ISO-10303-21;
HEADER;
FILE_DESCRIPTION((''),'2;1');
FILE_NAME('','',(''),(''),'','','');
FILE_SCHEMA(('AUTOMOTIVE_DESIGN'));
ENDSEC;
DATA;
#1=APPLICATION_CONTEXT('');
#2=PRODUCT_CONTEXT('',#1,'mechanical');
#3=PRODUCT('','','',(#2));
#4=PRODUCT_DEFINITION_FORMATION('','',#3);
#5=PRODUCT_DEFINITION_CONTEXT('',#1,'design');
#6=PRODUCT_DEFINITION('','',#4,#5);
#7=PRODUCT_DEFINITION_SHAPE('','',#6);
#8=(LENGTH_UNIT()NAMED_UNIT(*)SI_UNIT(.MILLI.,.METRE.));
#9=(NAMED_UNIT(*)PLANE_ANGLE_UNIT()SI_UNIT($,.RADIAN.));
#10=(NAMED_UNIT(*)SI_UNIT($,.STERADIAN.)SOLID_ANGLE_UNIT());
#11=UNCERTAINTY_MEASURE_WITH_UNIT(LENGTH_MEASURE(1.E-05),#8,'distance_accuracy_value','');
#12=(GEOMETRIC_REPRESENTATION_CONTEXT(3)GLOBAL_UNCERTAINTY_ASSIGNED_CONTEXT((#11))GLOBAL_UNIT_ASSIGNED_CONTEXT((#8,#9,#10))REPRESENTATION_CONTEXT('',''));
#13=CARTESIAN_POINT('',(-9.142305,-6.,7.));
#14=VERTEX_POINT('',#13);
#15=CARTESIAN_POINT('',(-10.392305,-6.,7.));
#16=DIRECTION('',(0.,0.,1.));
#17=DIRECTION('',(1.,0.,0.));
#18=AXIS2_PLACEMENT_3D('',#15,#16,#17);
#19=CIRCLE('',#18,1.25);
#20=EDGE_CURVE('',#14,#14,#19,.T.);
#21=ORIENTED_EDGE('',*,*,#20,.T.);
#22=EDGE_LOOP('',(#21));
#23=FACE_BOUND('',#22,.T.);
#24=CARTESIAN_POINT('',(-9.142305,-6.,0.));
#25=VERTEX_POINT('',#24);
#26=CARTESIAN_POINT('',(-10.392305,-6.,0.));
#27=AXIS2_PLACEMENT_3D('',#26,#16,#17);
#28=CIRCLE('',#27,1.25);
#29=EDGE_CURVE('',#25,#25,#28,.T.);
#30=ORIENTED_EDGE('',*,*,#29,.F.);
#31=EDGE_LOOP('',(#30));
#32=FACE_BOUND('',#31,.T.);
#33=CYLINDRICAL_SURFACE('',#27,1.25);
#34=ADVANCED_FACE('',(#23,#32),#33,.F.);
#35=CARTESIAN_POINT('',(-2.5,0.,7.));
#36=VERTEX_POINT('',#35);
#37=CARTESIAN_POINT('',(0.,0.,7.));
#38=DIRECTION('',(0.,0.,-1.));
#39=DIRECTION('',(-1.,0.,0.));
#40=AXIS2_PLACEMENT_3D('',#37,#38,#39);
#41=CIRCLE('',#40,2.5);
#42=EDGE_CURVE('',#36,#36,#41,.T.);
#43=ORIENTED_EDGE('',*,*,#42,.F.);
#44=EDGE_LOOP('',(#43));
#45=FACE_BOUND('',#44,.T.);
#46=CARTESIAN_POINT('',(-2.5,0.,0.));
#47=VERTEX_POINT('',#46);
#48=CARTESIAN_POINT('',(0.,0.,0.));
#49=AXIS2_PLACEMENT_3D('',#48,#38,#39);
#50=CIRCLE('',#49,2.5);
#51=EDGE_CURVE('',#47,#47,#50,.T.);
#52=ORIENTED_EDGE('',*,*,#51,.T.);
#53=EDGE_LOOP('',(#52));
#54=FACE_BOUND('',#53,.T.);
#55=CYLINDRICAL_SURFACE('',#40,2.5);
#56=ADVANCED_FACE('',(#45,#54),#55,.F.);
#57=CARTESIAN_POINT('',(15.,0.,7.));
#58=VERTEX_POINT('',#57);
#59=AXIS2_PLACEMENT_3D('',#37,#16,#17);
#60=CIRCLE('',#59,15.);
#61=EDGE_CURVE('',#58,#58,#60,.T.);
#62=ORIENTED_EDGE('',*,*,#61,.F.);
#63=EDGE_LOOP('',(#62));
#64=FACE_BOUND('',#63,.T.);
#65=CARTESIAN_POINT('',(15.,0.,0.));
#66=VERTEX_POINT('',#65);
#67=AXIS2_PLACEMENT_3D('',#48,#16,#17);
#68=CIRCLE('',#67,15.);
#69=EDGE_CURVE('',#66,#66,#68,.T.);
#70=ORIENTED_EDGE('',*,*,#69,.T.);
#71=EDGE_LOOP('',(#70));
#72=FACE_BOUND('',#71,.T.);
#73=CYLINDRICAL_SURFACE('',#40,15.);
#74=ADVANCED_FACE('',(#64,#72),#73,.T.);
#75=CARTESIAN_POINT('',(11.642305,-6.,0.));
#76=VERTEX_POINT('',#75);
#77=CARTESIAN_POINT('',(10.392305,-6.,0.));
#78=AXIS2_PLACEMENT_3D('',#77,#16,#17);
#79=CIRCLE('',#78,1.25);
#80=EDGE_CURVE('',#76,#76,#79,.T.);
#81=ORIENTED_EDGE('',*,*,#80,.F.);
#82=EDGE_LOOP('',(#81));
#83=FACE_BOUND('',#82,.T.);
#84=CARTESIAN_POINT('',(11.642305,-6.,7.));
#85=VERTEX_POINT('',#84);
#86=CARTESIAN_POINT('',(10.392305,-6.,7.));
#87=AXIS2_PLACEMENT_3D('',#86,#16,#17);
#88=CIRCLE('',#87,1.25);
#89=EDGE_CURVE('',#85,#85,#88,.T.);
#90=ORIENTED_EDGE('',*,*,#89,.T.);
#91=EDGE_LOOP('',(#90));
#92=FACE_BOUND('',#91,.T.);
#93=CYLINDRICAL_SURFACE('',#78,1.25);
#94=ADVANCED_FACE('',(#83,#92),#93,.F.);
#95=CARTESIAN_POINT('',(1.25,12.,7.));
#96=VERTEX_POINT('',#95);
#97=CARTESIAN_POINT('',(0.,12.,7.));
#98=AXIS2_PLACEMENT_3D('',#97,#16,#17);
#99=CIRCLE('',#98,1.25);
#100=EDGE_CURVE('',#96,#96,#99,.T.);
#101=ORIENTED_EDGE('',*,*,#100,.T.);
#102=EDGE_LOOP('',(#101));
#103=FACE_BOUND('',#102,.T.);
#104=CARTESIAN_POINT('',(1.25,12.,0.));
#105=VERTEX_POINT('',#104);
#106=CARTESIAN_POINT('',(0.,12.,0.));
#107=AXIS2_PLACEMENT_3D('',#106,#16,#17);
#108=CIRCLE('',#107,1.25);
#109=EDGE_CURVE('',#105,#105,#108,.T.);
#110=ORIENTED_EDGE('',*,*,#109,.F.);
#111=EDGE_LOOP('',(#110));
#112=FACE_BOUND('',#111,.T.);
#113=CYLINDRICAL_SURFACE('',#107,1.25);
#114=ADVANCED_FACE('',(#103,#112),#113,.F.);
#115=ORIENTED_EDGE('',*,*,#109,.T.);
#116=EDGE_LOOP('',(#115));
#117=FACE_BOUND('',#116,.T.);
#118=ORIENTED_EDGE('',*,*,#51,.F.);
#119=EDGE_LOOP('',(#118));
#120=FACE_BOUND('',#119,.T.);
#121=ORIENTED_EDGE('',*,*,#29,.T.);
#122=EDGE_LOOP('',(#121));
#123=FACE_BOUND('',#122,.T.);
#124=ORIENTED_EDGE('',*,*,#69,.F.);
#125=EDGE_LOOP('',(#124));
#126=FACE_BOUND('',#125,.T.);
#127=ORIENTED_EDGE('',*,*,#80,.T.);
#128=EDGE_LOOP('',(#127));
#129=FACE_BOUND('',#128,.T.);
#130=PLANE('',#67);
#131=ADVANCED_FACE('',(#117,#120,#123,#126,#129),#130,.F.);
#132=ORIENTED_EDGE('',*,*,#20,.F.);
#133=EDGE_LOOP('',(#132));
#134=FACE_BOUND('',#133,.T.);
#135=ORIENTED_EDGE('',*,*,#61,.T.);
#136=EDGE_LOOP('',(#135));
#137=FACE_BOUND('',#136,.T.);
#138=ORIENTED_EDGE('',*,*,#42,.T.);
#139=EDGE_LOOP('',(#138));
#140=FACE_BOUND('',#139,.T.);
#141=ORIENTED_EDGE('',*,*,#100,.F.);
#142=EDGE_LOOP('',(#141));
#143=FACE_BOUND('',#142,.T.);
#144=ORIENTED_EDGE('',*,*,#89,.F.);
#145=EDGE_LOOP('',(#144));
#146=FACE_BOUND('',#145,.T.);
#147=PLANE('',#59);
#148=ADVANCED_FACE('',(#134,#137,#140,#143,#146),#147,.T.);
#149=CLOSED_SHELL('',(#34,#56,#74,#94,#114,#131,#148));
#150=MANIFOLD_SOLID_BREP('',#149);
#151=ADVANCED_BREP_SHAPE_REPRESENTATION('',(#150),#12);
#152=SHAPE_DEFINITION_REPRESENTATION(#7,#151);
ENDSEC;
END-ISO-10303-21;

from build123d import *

# Parameters (mm, degrees)
SKETCH1_R           = 15
BOSS_EXTRUDE2_DEPTH = 7
SKETCH2_R           = 2.5
CUT_EXTRUDE1_DEPTH  = 7
SKETCH3_R           = 1.25
CUT_EXTRUDE2_DEPTH  = 23.338307904


with BuildPart() as part:
    # Sketch1 → Boss-Extrude2 (new body)
    with BuildSketch(Plane.XY):
        Circle(SKETCH1_R)
    extrude(amount=BOSS_EXTRUDE2_DEPTH)

    # Sketch2 → Cut-Extrude1 (cut)
    with BuildSketch(Plane(origin=(0, 0, 0), x_dir=(-1, 0, 0), z_dir=(0, 0, -1))):
        Circle(SKETCH2_R)
    extrude(amount=-CUT_EXTRUDE1_DEPTH, mode=Mode.SUBTRACT)

    # Sketch3 → Cut-Extrude2 (cut, through all)
    with BuildSketch(Plane.XY.offset(7)):
        with Locations((0, 12)):
            Circle(SKETCH3_R)
        with Locations((10.392304845, -6)):
            Circle(SKETCH3_R)
        with Locations((-10.392304845, -6)):
            Circle(SKETCH3_R)
    extrude(amount=-CUT_EXTRUDE2_DEPTH, mode=Mode.SUBTRACT)


solid = part.part
